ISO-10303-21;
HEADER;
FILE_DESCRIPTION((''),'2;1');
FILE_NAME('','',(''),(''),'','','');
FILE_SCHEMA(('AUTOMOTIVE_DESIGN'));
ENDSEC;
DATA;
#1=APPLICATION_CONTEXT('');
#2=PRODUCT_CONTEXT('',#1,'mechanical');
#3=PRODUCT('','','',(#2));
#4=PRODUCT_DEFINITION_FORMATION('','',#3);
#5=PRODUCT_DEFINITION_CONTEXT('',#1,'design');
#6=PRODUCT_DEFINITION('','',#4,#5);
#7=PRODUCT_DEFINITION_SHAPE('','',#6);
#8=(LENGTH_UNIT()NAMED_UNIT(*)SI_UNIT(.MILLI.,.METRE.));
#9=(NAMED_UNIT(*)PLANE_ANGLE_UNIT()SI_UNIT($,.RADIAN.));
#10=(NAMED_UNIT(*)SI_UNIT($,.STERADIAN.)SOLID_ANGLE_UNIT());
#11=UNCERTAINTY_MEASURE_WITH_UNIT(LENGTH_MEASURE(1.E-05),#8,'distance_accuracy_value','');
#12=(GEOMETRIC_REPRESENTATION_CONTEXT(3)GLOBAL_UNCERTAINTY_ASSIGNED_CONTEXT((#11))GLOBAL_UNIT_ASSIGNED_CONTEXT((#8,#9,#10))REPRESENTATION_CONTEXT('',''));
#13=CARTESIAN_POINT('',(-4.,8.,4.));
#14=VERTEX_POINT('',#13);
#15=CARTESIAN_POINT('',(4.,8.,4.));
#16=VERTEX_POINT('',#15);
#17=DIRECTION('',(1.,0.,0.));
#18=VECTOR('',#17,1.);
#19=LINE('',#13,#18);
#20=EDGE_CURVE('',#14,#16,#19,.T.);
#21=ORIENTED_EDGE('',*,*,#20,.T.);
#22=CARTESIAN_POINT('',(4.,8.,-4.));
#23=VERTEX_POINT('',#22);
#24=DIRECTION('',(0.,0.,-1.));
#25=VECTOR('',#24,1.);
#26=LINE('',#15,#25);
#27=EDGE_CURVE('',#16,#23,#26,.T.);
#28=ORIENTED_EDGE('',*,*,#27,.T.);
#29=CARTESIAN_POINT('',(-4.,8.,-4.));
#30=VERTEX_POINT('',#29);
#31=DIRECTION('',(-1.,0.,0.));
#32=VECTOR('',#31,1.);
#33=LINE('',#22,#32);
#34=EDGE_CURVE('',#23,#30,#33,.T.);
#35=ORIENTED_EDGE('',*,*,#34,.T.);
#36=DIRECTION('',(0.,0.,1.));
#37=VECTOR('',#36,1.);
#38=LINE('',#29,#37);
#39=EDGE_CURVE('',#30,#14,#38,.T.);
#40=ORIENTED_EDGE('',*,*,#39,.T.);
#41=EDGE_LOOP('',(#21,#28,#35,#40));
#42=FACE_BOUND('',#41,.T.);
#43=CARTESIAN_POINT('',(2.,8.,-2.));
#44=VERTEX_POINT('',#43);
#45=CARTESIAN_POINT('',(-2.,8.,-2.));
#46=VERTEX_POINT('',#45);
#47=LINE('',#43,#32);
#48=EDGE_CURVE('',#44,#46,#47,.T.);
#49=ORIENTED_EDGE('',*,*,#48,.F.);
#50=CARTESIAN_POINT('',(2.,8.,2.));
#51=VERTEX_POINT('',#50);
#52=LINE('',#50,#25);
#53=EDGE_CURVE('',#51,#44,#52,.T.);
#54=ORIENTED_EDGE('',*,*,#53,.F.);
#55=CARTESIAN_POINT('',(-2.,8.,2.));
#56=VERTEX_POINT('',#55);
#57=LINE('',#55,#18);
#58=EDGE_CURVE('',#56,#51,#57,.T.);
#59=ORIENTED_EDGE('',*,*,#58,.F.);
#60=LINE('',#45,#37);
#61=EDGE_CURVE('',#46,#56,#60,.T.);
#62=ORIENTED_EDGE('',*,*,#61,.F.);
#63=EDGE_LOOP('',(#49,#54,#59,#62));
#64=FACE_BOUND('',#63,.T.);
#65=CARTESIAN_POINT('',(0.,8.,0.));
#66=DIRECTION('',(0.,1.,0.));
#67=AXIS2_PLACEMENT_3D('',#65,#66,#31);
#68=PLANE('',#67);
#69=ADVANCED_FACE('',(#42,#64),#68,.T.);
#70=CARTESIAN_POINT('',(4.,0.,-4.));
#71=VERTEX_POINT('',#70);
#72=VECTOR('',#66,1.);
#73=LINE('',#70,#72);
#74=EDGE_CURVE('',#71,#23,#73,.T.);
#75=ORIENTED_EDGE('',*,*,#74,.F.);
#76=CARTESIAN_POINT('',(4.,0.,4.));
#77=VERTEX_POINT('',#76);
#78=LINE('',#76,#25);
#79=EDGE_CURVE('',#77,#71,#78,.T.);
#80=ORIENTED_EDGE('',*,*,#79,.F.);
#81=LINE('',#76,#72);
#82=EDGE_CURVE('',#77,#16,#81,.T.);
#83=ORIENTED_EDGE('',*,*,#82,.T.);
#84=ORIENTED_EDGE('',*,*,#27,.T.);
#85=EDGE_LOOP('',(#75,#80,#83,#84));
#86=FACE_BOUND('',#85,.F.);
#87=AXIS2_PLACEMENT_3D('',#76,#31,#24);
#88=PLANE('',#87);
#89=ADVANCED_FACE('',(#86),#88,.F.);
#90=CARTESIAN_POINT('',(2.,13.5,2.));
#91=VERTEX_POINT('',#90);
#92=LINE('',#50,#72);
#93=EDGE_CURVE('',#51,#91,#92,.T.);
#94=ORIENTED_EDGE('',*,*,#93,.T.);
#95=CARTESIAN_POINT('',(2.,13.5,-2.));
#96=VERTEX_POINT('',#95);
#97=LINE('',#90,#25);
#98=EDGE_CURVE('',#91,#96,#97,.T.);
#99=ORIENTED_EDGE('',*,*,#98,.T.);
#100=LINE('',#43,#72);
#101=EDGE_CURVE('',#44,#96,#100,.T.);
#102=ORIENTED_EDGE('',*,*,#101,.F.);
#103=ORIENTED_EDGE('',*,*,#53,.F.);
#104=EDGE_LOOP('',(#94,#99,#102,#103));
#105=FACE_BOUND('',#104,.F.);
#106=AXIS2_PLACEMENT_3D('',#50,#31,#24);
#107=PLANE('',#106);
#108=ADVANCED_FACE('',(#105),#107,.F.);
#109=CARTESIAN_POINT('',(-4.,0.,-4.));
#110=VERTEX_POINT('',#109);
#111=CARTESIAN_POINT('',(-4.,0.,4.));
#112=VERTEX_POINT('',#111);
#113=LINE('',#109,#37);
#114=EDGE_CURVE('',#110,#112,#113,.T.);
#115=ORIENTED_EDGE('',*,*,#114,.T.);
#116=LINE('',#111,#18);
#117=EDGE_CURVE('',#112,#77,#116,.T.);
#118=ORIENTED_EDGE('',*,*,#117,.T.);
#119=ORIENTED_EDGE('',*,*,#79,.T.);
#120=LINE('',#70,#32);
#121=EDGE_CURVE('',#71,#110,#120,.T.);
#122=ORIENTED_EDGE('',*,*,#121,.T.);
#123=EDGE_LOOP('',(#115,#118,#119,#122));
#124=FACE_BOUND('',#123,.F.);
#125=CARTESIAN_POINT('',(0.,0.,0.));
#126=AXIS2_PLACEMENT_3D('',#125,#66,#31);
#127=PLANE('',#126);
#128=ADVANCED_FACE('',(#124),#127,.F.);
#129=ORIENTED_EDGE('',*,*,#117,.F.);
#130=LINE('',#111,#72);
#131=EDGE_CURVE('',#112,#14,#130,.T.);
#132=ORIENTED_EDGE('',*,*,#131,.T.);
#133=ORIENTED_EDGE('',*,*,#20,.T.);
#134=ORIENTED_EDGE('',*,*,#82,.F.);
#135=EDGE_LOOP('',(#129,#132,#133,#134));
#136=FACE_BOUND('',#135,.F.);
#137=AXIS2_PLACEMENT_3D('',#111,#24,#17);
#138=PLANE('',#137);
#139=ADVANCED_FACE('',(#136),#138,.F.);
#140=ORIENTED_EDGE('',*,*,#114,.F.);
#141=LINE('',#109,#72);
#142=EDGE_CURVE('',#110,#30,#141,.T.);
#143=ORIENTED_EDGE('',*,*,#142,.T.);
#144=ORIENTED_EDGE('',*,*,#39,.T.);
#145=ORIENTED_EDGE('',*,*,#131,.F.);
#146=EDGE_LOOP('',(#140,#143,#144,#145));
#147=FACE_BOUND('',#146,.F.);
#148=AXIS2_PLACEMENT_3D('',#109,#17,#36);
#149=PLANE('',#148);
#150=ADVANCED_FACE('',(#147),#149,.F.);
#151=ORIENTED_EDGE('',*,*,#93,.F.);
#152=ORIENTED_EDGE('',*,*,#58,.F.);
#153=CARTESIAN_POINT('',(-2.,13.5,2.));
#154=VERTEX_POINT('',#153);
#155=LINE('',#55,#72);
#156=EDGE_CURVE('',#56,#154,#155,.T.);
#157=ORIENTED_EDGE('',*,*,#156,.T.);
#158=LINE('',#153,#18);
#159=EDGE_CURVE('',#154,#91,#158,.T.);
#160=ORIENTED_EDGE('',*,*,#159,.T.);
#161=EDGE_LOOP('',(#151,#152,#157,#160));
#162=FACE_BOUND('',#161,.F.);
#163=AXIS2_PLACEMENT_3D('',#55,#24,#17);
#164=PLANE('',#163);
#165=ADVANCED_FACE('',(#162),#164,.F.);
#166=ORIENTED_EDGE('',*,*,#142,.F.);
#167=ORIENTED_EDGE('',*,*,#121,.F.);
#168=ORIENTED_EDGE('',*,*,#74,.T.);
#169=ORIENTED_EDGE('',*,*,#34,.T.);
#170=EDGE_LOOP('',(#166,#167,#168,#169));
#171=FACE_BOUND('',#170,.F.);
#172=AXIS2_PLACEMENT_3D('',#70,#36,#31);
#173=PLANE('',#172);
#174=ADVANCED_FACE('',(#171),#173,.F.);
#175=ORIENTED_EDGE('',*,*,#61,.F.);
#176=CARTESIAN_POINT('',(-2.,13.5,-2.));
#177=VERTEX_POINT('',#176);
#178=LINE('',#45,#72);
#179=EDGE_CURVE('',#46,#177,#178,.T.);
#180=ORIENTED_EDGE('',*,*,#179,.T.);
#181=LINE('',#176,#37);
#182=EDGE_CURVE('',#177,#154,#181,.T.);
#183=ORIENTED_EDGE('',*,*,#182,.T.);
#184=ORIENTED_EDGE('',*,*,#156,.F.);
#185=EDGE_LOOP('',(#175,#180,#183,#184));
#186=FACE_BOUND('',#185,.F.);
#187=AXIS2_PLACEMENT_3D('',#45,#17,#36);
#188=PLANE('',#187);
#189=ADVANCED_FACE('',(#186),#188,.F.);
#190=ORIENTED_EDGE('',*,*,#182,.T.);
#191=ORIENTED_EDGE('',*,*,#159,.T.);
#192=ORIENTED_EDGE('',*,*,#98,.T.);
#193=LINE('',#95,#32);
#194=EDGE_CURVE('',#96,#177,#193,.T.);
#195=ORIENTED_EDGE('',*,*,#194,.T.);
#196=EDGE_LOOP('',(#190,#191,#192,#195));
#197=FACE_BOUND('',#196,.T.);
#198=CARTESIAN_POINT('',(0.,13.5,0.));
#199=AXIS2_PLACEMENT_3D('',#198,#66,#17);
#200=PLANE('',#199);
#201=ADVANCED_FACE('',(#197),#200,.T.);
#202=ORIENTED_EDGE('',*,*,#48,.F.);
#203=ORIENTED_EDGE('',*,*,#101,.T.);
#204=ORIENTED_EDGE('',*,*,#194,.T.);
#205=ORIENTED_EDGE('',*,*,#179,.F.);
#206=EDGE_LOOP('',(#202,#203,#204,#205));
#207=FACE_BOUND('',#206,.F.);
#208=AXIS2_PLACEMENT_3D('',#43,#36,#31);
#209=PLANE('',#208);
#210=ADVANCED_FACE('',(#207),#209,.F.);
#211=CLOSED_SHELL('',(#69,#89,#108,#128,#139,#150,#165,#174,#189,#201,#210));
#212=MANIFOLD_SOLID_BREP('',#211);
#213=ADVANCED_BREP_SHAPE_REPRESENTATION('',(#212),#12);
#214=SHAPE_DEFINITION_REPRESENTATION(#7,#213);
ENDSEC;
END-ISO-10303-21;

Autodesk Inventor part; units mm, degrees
ref_plane "YZ Plane" through (0, 0, 0) normal (1, 0, 0) x (0, 1, 0)
ref_plane "XZ Plane" through (0, 0, 0) normal (0, 1, 0) x (-1, 0, 0)
ref_plane "XY Plane" through (0, 0, 0) normal (0, 0, 1) x (1, 0, 0)
sketch "スケッチ1" plane through (0, 0, 0) normal (0, 1, 0) x (-1, 0, 0)
  line L0 (4, 4) -> (-4, 4)
  line L1 (-4, 4) -> (-4, -4)
  line L2 (-4, -4) -> (4, -4)
  line L3 (4, -4) -> (4, 4)
  line L4 (4, 4) -> (-4, -4) construction
  line L5 (-4, 4) -> (4, -4) construction
  point P0 (0, 0)
  dimension "d0" = 8
extrude "押し出し1" add sketch "スケッチ1" along normal blind 8
sketch "スケッチ2" plane through (0, 8, 0) normal (0, 1, 0) x (1, 0, 0)
  line L0 (-2, -2) -> (2, -2)
  line L1 (2, -2) -> (2, 2)
  line L2 (2, 2) -> (-2, 2)
  line L3 (-2, 2) -> (-2, -2)
  line L4 (-2, -2) -> (2, 2) construction
  line L5 (2, -2) -> (-2, 2) construction
  point P0 (0, 0)
  dimension "d4" = 4
extrude "押し出し2" add sketch "スケッチ2" along normal blind 5.5
properties part number "switch"
